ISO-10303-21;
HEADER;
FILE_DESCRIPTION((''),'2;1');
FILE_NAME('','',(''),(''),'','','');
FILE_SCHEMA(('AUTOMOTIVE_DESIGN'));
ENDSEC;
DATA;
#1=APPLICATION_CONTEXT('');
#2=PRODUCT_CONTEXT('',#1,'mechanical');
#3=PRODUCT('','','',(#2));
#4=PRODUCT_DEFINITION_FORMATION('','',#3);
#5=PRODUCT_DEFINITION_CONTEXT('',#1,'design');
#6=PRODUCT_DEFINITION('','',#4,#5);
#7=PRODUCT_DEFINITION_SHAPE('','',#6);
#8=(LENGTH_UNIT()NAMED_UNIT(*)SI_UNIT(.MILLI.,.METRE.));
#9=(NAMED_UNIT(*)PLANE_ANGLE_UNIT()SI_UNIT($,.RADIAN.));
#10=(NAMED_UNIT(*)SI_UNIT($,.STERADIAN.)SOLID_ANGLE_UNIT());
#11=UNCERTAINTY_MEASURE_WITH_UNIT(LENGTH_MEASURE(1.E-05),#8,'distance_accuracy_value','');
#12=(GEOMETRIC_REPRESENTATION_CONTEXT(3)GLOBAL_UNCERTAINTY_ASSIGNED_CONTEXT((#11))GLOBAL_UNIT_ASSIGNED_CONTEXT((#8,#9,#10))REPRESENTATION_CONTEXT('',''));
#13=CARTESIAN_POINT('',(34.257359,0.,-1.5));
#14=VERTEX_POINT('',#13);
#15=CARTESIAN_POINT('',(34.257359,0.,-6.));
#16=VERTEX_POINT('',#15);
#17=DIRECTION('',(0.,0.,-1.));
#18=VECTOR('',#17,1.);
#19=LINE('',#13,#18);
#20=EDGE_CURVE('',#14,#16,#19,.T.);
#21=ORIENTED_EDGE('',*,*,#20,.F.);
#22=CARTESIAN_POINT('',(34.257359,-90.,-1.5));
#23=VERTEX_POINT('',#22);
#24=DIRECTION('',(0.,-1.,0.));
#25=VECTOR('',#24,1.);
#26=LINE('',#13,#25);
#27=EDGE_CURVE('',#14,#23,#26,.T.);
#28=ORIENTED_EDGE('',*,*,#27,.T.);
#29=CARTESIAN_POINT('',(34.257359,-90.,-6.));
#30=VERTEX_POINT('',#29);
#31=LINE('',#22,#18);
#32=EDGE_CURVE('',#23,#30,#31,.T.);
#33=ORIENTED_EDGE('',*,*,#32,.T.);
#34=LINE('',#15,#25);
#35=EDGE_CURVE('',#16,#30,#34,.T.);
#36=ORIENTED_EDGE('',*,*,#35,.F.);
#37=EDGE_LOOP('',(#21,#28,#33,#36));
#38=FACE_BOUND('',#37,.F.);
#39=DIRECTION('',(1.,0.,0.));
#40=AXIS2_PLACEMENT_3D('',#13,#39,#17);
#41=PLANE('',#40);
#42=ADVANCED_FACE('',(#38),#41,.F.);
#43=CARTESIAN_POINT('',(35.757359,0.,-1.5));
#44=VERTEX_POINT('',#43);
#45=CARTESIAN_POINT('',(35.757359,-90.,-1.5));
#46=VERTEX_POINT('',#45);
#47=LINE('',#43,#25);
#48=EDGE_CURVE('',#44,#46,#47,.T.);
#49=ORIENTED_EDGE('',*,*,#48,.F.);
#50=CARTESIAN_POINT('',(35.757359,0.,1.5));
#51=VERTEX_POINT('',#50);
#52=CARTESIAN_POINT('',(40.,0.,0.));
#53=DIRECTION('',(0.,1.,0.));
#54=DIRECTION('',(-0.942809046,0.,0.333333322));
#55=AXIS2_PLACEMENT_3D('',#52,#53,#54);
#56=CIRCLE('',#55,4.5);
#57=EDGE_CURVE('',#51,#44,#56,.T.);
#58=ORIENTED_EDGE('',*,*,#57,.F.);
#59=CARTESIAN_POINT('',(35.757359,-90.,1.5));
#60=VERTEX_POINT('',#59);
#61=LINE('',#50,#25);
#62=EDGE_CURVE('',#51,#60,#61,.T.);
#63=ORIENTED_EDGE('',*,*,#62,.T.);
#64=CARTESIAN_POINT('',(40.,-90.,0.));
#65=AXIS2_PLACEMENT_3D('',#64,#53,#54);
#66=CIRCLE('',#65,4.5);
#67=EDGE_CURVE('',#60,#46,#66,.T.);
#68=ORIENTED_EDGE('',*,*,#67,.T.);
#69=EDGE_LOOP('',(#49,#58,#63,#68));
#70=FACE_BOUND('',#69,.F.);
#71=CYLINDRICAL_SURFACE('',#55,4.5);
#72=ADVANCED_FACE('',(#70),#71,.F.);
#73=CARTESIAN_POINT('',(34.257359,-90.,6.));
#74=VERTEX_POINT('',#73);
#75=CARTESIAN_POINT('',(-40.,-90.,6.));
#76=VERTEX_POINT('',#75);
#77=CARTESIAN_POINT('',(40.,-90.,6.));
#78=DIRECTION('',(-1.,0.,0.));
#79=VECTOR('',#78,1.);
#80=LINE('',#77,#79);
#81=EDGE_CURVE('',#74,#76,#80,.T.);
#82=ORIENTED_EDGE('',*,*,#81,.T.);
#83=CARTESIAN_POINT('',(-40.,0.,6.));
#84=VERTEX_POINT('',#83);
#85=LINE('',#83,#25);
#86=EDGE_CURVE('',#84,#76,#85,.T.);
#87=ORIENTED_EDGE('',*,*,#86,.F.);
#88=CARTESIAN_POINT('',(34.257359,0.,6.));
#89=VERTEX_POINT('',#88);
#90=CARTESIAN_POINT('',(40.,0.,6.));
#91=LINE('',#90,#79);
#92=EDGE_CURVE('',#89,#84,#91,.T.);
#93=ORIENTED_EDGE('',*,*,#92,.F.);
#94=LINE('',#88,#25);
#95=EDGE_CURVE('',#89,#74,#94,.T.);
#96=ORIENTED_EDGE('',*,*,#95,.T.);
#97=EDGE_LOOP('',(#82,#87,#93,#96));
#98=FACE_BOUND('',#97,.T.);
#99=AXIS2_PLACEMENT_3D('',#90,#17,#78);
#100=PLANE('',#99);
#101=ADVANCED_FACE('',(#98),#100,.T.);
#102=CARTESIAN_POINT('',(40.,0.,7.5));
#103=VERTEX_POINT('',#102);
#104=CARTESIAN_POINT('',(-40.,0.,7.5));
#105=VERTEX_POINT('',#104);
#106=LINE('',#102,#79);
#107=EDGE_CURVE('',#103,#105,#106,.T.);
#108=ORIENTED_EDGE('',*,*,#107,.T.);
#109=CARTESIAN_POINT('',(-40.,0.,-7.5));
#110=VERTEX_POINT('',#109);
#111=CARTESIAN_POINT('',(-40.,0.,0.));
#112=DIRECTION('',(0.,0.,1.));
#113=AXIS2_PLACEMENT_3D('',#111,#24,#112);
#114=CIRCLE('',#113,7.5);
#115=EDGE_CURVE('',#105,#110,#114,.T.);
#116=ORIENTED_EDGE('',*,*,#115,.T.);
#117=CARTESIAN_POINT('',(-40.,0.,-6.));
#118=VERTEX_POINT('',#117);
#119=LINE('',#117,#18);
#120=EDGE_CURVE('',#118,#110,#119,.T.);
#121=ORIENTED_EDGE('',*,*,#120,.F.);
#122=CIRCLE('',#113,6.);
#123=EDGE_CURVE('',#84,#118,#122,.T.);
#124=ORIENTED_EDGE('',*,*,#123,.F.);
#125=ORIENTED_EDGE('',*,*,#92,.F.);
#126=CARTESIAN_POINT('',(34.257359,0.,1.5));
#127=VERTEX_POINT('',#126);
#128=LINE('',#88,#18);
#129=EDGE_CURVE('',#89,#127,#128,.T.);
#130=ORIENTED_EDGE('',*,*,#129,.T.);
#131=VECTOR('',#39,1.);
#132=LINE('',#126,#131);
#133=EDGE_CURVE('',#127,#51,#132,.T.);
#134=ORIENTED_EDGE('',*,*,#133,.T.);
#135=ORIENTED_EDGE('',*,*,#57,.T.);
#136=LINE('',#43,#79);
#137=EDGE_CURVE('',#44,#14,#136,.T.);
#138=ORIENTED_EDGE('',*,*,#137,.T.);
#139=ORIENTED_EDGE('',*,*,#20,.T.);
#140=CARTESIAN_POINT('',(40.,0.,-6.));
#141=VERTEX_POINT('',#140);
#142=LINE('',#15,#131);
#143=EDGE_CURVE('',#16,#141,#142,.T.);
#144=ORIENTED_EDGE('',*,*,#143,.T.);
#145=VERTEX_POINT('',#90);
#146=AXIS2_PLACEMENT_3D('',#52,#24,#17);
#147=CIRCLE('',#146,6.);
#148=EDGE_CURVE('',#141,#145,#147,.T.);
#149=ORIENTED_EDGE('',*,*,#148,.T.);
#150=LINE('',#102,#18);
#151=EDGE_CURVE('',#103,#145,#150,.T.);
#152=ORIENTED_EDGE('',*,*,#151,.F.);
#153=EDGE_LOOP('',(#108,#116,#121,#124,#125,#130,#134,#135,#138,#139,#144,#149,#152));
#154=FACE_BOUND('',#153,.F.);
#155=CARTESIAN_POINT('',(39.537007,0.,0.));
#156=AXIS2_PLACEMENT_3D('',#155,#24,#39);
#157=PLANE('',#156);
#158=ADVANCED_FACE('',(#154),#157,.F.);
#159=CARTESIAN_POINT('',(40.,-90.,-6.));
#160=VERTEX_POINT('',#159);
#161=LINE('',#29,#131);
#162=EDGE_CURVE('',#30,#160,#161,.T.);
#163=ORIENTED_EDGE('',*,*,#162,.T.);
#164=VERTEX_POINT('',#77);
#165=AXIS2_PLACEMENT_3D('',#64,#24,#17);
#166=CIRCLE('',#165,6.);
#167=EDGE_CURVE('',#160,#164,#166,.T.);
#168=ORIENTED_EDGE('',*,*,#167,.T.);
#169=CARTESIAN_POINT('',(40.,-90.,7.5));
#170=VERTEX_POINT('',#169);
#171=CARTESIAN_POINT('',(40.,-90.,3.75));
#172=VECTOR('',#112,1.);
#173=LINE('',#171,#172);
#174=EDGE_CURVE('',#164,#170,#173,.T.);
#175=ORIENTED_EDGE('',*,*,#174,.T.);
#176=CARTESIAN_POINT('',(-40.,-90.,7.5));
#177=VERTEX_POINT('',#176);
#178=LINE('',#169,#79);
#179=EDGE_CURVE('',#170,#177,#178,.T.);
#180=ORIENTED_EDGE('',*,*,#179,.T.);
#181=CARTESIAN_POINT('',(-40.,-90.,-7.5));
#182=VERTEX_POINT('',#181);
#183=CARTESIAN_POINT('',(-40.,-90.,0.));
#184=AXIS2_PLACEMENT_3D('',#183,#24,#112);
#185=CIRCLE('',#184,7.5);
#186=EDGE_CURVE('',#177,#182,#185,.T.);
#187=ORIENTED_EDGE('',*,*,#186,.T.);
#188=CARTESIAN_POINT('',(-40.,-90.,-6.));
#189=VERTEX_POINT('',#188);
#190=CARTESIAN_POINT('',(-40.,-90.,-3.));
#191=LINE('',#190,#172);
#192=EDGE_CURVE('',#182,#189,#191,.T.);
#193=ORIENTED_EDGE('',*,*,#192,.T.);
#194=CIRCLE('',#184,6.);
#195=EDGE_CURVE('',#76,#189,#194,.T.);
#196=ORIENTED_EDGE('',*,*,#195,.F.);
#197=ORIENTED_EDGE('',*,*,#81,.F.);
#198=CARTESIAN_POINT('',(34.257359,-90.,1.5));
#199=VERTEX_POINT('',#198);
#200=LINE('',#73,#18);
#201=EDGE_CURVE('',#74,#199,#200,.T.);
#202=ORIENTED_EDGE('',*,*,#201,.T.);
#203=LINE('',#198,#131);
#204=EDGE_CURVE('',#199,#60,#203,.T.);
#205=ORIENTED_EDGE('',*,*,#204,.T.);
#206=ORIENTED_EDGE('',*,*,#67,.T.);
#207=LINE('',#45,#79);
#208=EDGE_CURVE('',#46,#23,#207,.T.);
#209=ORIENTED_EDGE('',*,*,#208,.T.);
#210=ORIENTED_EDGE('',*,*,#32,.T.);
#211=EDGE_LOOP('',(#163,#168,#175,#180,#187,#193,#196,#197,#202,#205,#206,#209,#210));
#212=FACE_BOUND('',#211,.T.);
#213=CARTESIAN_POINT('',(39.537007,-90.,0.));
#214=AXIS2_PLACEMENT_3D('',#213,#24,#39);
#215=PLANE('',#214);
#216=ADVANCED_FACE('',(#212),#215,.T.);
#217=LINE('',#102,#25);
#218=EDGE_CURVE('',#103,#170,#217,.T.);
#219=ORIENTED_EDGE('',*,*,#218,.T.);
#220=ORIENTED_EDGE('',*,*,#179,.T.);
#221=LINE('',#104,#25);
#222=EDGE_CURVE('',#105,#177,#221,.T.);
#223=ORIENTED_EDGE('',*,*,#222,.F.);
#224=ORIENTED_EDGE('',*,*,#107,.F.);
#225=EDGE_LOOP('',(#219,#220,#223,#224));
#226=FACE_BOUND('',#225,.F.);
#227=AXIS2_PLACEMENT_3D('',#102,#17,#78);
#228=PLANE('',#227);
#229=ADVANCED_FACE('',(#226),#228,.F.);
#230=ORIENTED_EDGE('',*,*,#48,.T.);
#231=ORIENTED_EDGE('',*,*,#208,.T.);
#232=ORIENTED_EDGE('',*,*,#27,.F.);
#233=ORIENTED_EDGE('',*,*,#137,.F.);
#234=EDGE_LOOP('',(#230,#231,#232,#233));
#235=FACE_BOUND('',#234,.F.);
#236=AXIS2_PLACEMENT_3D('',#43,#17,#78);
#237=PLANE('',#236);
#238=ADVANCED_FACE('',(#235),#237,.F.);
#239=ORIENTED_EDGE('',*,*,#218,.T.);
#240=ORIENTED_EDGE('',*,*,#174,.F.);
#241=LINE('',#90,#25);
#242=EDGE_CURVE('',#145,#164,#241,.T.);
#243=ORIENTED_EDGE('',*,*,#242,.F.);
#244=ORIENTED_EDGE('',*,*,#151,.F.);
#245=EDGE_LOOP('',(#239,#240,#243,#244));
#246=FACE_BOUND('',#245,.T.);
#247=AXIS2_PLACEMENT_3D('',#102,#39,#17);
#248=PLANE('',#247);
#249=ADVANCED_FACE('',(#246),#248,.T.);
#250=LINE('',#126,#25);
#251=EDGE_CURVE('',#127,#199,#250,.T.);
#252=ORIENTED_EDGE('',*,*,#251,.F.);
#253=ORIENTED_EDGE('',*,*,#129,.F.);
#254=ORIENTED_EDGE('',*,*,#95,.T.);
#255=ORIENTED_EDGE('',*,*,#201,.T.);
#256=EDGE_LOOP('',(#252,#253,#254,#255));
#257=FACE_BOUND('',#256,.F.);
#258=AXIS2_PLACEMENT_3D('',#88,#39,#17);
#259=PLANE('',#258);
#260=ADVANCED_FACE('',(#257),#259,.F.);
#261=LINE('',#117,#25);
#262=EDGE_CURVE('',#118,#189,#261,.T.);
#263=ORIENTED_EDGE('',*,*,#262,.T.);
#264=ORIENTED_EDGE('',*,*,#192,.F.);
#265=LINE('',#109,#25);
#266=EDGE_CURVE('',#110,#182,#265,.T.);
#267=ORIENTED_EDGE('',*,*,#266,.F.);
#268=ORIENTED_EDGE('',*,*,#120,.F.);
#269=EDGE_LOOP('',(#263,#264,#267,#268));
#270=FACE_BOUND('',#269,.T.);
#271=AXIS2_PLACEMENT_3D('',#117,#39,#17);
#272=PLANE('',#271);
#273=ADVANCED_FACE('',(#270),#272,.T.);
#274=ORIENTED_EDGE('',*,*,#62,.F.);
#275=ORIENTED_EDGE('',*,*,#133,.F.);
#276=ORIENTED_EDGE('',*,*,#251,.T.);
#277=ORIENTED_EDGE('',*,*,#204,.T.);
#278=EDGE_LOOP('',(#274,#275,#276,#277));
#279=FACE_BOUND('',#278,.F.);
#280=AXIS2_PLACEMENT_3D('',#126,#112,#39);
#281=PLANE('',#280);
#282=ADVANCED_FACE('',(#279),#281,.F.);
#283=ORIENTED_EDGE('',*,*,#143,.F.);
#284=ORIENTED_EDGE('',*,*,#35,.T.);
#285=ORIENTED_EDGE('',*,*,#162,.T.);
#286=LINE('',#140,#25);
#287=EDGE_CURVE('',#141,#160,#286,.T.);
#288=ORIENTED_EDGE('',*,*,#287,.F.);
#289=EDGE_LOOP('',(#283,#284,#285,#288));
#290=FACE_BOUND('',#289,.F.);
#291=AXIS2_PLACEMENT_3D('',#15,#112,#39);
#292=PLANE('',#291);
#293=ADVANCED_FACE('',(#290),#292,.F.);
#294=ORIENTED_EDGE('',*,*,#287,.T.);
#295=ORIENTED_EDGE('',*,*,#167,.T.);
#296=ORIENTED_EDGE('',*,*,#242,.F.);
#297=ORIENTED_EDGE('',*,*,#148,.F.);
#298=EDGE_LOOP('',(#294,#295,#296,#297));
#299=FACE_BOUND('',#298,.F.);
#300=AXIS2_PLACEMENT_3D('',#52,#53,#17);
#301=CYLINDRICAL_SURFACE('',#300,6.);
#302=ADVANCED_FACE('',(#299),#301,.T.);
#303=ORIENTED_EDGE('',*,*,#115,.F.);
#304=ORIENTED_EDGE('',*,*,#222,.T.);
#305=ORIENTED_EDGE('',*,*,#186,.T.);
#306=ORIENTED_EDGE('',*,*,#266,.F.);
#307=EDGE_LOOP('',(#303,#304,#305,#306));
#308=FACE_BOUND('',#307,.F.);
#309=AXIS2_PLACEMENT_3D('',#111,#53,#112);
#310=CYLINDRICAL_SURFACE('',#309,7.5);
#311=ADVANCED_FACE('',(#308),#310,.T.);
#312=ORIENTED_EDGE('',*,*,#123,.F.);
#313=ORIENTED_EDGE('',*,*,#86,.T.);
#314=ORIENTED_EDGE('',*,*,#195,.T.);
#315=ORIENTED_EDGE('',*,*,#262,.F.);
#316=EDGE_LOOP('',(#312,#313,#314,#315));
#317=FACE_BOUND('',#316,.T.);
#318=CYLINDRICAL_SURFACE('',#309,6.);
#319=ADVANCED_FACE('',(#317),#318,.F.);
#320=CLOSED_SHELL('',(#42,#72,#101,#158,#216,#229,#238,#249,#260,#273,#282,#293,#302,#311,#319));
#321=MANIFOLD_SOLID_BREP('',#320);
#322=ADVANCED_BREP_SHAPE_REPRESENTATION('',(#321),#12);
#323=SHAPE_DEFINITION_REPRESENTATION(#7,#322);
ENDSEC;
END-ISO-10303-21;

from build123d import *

# Parameters (mm, degrees)
F1_DEPTH = 90
F2_T     = -1.5
F4_DEPTH = 90.001
F6_DEPTH = 90


with BuildPart() as f1:
    # F0 (on Front) → F1 (new body)
    with BuildSketch(Plane.XZ):
        with BuildLine():
            ThreePointArc((40, -7.5), (47.5, 0), (40, 7.5))
            Line((40, 7.5), (-40, 7.5))
            ThreePointArc((-40, 7.5), (-47.5, 0), (-40, -7.5))
            Line((-40, -7.5), (40, -7.5))
        make_face()
    extrude(amount=F1_DEPTH)

    # F2
    f2_openings = [f1.faces().sort_by_distance(p)[0] for p in [
        (0, -90, 0),
        (0, 0, 0),
    ]]
    offset(amount=F2_T, openings=f2_openings)

    # F3 (on Front) → F4 (cut, through all)
    with BuildSketch(Plane.XZ):
        with BuildLine():
            ThreePointArc((40, 6), (46, 0), (40, -6))
            Line((40, -6), (-40, -6))
            Line((-40, -6), (-40, -7.5))
            Line((-40, -7.5), (40, -7.5))
            ThreePointArc((40, -7.5), (47.5, 0), (40, 7.5))
            Line((40, 7.5), (40, 6))
        make_face()
    extrude(amount=F4_DEPTH, mode=Mode.SUBTRACT)

    # F5 (on Front) → F6 (join, through all)
    with BuildSketch(Plane.XZ):
        with BuildLine():
            Line((34.257359, -6), (40, -6))
            ThreePointArc((40, -6), (46, 0), (40, 6))
            Line((40, 6), (34.257359, 6))
            Line((34.257359, 6), (34.257359, 1.5))
            Line((34.257359, 1.5), (35.757359, 1.5))
            ThreePointArc((35.757359, 1.5), (44.5, 0), (35.757359, -1.5))
            Line((35.757359, -1.5), (34.257359, -1.5))
            Line((34.257359, -1.5), (34.257359, -6))
        make_face()
    extrude(amount=F6_DEPTH)


solid = f1.part
